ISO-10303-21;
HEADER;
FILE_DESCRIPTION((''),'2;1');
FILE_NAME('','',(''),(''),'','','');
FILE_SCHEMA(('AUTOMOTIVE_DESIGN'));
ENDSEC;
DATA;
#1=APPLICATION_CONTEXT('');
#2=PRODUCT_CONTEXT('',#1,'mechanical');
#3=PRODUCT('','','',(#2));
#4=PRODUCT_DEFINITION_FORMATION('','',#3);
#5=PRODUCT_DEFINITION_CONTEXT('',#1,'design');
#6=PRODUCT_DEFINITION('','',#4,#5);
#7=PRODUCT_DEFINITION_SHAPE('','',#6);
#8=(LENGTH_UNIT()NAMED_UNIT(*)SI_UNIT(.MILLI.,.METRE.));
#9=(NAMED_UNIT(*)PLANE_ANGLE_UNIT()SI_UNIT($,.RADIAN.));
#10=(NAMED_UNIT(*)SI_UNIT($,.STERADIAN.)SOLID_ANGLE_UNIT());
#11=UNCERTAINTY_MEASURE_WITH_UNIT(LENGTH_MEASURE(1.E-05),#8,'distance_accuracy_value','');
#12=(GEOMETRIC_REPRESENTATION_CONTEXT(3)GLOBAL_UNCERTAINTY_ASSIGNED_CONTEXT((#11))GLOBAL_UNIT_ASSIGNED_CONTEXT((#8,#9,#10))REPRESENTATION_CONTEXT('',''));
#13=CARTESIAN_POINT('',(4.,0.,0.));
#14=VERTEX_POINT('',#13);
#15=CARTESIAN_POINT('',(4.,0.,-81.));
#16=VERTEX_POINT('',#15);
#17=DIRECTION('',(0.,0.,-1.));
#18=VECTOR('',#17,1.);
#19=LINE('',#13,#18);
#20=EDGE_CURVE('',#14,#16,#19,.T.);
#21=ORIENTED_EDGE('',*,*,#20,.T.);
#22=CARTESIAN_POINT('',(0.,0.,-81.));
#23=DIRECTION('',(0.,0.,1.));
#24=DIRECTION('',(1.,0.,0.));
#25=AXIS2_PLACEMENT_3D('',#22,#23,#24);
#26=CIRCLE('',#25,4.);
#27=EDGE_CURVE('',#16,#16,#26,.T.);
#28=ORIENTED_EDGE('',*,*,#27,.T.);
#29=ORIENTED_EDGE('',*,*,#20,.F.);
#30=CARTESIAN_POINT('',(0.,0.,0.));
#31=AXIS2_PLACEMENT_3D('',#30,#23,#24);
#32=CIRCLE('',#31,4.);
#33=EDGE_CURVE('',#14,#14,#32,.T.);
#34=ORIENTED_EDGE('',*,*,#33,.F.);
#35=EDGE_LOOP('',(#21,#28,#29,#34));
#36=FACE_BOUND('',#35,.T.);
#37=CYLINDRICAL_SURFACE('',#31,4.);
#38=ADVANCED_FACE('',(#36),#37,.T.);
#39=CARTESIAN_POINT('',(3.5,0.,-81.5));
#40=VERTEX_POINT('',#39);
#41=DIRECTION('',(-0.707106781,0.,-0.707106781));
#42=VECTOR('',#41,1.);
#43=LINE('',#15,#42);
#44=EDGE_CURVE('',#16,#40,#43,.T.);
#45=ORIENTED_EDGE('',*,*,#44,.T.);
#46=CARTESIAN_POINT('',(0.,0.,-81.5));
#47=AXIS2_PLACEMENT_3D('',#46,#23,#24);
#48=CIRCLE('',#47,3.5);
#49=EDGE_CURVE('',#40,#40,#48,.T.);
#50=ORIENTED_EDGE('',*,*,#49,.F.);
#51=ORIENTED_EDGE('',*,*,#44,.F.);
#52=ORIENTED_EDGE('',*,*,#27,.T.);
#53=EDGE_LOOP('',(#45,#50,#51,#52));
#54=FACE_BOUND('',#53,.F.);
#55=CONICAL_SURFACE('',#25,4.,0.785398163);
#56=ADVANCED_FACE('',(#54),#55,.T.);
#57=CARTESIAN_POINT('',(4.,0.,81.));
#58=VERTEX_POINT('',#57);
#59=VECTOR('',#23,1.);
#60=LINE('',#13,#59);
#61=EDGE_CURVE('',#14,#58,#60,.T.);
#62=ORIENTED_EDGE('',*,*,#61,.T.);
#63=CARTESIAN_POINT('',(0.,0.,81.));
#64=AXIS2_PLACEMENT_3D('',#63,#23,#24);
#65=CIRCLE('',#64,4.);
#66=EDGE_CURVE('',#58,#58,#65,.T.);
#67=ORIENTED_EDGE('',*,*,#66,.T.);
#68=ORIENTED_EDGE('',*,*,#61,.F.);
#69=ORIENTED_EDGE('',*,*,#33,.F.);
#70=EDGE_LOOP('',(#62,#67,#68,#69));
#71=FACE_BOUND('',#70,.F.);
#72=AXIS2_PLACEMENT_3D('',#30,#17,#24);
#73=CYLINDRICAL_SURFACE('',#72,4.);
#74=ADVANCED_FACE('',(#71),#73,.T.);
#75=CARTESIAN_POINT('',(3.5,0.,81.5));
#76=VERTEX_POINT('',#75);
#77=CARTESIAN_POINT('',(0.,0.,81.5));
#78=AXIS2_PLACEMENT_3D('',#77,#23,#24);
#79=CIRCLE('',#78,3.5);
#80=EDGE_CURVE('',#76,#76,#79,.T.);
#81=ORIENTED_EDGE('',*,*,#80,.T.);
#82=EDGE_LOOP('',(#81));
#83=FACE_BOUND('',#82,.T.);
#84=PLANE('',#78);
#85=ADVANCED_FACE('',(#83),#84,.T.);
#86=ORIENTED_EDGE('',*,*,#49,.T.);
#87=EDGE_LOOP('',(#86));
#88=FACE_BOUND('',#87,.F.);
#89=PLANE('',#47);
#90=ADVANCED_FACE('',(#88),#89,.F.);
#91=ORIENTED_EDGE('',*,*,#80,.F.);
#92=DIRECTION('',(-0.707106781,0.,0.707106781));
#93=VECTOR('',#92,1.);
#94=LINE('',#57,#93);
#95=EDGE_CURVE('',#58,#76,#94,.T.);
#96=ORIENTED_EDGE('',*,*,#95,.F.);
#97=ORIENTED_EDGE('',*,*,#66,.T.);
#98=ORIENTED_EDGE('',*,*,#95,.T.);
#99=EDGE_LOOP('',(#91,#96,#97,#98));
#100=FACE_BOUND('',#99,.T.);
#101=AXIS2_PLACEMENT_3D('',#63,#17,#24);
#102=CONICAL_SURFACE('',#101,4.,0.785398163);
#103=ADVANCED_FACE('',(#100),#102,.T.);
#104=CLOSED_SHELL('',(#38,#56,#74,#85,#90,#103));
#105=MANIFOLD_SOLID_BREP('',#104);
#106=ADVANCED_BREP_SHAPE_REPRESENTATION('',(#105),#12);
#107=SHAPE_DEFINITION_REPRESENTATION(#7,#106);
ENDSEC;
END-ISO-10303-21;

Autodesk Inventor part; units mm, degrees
ref_plane "YZ Plane" through (0, 0, 0) normal (1, 0, 0) x (0, 1, 0)
ref_plane "XZ Plane" through (0, 0, 0) normal (0, 1, 0) x (-1, 0, 0)
ref_plane "XY Plane" through (0, 0, 0) normal (0, 0, 1) x (1, 0, 0)
sketch "Sketch1" plane through (0, 0, 0) normal (0, 0, 1) x (1, 0, 0)
  circle A0 centre (0, 0) radius 4
  dimension "d0" = 8
extrude "Extrusion1" add sketch "Sketch1" along normal mid plane 163
chamfer "Chamfer1" distance 0.5 angle 45 2 edges at (-4, 0, 81.5) (-4, 0, -81.5)
thread "Thread1" size "M8x1.25" class "6g" standard "ANSI Metric M Profile" length 10
thread "Thread2" size "M8x1.25" class "6g" standard "ANSI Metric M Profile" length 10
properties part number "MecanumShaft" material "Steel, Carbon"
